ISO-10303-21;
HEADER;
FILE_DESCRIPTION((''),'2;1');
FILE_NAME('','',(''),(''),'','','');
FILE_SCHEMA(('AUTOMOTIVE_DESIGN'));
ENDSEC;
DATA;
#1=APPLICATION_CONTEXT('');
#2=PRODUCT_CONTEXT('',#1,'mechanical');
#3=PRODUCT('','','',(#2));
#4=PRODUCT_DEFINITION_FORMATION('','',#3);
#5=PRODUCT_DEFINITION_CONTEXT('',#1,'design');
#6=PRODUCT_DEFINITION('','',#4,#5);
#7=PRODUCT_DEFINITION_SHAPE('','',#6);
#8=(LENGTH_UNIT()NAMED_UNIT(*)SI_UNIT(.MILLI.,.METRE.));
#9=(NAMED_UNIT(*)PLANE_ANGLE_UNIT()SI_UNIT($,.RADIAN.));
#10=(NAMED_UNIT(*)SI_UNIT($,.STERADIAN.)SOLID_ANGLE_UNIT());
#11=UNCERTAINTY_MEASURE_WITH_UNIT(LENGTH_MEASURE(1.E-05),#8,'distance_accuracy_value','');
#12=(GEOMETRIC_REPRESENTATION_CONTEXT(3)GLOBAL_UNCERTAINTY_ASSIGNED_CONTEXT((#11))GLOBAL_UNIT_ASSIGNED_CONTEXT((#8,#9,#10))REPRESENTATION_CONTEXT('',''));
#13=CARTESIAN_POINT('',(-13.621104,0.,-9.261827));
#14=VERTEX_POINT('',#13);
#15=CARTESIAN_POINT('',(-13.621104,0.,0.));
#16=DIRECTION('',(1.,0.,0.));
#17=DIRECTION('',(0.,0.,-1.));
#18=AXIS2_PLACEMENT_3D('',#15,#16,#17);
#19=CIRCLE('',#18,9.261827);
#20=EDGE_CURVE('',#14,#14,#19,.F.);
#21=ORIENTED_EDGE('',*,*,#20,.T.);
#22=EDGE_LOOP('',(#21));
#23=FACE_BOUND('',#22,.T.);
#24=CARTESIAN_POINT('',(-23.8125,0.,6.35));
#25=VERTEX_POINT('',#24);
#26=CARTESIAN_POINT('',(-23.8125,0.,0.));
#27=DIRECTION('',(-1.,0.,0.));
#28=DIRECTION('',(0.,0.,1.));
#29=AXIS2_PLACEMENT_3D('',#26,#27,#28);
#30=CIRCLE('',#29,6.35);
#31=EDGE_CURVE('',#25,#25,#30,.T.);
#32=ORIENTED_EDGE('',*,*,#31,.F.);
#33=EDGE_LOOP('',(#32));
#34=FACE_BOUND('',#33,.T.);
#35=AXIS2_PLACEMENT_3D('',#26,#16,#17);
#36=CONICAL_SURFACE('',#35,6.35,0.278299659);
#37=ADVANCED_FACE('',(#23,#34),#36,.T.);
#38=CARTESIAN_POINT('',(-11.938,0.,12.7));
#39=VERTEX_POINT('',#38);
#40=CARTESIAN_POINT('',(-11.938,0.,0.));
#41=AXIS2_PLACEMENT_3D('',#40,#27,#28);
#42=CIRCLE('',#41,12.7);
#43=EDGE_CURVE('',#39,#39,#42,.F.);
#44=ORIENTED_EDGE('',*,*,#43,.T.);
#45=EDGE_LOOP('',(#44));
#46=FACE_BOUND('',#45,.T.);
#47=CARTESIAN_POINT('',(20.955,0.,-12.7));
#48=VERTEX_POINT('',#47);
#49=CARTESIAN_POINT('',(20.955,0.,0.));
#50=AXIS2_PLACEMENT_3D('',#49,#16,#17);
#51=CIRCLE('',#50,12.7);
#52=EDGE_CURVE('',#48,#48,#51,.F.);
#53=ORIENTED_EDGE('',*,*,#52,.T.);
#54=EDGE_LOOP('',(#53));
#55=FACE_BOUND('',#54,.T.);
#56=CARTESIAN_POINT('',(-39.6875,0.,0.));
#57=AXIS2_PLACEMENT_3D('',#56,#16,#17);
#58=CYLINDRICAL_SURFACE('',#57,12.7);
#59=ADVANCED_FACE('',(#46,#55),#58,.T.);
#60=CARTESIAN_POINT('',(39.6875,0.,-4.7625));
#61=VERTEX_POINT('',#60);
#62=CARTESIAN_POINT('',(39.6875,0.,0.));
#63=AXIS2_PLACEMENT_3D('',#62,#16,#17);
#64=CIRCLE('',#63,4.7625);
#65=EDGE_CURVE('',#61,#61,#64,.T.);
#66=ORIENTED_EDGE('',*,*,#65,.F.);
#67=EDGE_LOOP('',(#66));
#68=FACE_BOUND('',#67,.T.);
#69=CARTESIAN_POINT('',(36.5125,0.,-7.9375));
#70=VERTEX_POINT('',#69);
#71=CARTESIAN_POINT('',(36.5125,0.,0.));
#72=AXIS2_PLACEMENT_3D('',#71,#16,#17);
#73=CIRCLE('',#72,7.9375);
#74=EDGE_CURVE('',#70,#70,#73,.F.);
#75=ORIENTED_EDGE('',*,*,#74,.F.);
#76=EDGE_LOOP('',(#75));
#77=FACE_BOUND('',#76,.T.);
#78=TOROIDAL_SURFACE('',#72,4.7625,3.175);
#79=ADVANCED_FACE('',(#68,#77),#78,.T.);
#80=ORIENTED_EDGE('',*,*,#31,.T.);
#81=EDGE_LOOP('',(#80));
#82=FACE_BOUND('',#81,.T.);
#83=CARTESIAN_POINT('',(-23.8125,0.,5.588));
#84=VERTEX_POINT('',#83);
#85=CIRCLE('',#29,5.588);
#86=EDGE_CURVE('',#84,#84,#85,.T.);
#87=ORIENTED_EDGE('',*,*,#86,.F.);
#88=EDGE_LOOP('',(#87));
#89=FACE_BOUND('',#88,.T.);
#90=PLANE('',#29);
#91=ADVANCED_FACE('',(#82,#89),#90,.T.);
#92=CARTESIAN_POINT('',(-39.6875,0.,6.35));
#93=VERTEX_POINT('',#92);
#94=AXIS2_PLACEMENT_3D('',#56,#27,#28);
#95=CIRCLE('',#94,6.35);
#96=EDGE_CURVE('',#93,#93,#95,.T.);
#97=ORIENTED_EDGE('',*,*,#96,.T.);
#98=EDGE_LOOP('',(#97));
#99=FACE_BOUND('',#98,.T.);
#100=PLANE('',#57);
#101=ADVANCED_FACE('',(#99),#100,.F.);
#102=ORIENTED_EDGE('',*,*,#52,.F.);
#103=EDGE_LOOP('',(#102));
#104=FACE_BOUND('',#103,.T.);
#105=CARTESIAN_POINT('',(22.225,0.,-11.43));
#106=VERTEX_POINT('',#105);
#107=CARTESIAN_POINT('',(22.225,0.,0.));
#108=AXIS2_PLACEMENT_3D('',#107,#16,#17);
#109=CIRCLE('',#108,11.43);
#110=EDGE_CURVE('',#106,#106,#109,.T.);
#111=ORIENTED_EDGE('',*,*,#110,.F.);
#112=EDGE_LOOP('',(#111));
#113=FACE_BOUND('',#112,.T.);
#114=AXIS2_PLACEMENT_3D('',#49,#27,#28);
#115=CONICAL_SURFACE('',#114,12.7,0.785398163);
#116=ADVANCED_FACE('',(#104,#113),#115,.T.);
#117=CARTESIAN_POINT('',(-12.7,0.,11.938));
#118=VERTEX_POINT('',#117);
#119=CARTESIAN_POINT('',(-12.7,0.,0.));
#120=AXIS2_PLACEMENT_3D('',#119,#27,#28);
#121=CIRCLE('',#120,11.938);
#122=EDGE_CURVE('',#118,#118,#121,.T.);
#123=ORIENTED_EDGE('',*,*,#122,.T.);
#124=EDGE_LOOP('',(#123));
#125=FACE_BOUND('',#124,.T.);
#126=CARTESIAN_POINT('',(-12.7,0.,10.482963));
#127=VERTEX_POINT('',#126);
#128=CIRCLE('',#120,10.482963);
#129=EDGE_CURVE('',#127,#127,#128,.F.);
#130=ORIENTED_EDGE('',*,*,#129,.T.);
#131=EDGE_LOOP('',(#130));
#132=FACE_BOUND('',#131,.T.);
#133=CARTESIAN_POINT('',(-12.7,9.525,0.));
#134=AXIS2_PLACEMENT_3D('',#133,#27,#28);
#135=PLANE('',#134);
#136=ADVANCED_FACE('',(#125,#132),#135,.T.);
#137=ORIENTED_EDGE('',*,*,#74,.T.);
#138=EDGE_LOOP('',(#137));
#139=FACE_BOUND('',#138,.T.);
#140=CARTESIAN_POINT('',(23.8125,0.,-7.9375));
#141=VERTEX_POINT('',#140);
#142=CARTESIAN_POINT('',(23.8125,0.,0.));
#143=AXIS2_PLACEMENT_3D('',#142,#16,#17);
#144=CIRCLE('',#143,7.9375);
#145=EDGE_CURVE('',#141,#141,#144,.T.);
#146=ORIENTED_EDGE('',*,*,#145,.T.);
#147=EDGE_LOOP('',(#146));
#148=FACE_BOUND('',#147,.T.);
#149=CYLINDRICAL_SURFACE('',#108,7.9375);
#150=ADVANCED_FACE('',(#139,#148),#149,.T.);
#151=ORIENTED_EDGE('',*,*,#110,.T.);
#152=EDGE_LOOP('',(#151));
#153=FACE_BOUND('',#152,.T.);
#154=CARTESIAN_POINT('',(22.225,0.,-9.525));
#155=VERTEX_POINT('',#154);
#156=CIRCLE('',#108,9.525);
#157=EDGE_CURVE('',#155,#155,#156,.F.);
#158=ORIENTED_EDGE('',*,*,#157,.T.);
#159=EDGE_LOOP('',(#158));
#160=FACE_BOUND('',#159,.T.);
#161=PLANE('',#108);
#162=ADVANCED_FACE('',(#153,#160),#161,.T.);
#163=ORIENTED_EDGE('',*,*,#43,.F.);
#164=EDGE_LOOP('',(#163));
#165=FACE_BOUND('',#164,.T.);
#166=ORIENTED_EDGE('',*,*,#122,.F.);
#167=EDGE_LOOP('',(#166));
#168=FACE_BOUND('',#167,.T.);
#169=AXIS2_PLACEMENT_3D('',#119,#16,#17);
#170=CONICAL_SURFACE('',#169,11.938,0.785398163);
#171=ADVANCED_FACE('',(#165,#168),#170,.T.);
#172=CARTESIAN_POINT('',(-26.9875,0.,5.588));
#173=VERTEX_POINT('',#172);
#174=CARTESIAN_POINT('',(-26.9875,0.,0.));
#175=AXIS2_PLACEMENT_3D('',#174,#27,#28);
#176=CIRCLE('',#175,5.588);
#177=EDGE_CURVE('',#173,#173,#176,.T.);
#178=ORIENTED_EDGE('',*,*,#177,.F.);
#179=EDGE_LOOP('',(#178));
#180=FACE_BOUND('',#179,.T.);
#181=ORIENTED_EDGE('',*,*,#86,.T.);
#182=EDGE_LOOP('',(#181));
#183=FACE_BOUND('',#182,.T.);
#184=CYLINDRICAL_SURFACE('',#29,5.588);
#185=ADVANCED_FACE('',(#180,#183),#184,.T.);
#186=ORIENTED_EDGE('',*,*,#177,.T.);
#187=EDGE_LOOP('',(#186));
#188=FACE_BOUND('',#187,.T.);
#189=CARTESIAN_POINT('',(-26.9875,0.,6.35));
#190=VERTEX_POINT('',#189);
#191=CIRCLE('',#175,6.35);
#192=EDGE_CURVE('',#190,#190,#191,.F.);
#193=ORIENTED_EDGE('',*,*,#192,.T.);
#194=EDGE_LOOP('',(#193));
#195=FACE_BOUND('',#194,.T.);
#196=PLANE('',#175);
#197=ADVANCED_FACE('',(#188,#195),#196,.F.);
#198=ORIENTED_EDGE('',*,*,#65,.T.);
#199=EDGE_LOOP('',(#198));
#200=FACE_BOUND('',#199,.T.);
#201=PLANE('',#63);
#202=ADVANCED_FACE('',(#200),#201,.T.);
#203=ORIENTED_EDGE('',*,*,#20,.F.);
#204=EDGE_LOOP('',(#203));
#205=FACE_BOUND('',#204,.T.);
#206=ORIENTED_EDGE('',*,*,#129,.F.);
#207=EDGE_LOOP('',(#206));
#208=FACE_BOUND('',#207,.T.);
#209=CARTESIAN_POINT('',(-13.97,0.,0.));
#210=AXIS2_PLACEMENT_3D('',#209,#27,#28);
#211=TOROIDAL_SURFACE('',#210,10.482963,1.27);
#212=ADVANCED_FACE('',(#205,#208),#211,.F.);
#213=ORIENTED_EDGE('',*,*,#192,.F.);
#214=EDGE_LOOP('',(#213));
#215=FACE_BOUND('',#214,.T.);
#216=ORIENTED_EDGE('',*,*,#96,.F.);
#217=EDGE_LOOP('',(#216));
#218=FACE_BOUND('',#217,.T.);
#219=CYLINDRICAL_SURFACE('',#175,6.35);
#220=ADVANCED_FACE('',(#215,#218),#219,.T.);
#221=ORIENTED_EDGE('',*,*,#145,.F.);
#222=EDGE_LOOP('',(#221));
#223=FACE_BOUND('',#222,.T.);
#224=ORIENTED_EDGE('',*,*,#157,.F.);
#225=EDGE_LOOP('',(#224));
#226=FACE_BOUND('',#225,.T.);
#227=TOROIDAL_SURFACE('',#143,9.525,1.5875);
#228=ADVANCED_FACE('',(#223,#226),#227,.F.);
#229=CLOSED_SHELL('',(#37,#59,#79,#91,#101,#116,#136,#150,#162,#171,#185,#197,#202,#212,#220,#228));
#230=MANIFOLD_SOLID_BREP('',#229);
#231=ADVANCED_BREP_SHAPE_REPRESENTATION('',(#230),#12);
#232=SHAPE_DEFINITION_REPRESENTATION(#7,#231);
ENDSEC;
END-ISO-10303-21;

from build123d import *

# Parameters (mm, degrees)
BOSS_EXTRUDE1_DEPTH      = 39.6875
BOSS_EXTRUDE1_DEPTH_BACK = 39.6875
SKETCH2_R                = 12.7
SKETCH3_OUTSIDE_W        = 44.824
SKETCH3_OUTSIDE_H        = 44.824
SKETCH3_OUTSIDE_R        = 7.9375
CUT_EXTRUDE1_DEPTH       = 17.4625
FILLET1_R                = 3.175
FILLET2_R                = 1.5875
CHAMFER1_SIZE            = 1.27
SKETCH4_OUTSIDE_W        = 44.824
SKETCH4_OUTSIDE_H        = 44.824
SKETCH4_OUTSIDE_R        = 6.35
CUT_EXTRUDE2_DEPTH       = 12.7
SKETCH6_OUTSIDE_W        = 44.824
SKETCH6_OUTSIDE_H        = 44.824
SKETCH6_OUTSIDE_R        = 5.588
CUT_EXTRUDE3_DEPTH       = 3.175
FILLET3_R                = 1.27
CHAMFER2_SIZE            = 0.762


with BuildPart() as part:
    # Sketch2 → Boss-Extrude1 (new, two sides: drawn at the far end of the back side and taken through both)
    with BuildSketch(Plane(origin=(0, 0, 0), x_dir=(0, 0, -1), z_dir=(1, 0, 0)).offset(-BOSS_EXTRUDE1_DEPTH_BACK)):
        Circle(SKETCH2_R)
    extrude(amount=BOSS_EXTRUDE1_DEPTH + BOSS_EXTRUDE1_DEPTH_BACK)

    # Sketch3 outside → Cut-Extrude1 (cut)
    with BuildSketch(Plane(origin=(39.6875, 0, 0), x_dir=(0, 0, -1), z_dir=(1, 0, 0))):
        Rectangle(SKETCH3_OUTSIDE_W, SKETCH3_OUTSIDE_H)
        Circle(SKETCH3_OUTSIDE_R, mode=Mode.SUBTRACT)
    extrude(amount=-CUT_EXTRUDE1_DEPTH, mode=Mode.SUBTRACT)

    # Fillet1
    fillet1_edges = [part.edges().sort_by_distance(p)[0] for p in [
        (39.6875, 0, 7.9375),
    ]]
    fillet(fillet1_edges, radius=FILLET1_R)

    # Fillet2
    fillet2_edges = [part.edges().sort_by_distance(p)[0] for p in [
        (22.225, 0, 7.9375),
    ]]
    fillet(fillet2_edges, radius=FILLET2_R)

    # Chamfer1
    chamfer1_edges = [part.edges().sort_by_distance(p)[0] for p in [
        (22.225, 0, 12.7),
    ]]
    chamfer(chamfer1_edges, length=CHAMFER1_SIZE)

    # Sketch4 outside → Cut-Extrude2 (cut)
    with BuildSketch(Plane.ZY.offset(39.6875)):
        Rectangle(SKETCH4_OUTSIDE_W, SKETCH4_OUTSIDE_H)
        Circle(SKETCH4_OUTSIDE_R, mode=Mode.SUBTRACT)
    extrude(amount=-CUT_EXTRUDE2_DEPTH, mode=Mode.SUBTRACT)

    # Sketch6 outside → Cut-Extrude3 (cut)
    with BuildSketch(Plane.ZY.offset(26.9875)):
        Rectangle(SKETCH6_OUTSIDE_W, SKETCH6_OUTSIDE_H)
        Circle(SKETCH6_OUTSIDE_R, mode=Mode.SUBTRACT)
    extrude(amount=-CUT_EXTRUDE3_DEPTH, mode=Mode.SUBTRACT)

    # Sketch13 → Cut-Revolve1 (revolve, cut)
    with BuildSketch(Plane.XY):
        Polygon((-23.8125, 6.35), (-12.7, 9.525), (-12.7, 12.7), (-23.8125, 12.7), align=None)
    revolve(axis=Axis((-43.65625, 0, 0), (1, 0, 0)), mode=Mode.SUBTRACT)

    # Fillet3
    fillet3_edges = [part.edges().sort_by_distance(p)[0] for p in [
        (-12.7, -9.525, 0),
    ]]
    fillet(fillet3_edges, radius=FILLET3_R)

    # Chamfer2
    chamfer2_edges = [part.edges().sort_by_distance(p)[0] for p in [
        (-12.7, 0, 12.7),
    ]]
    chamfer(chamfer2_edges, length=CHAMFER2_SIZE)


solid = part.part
